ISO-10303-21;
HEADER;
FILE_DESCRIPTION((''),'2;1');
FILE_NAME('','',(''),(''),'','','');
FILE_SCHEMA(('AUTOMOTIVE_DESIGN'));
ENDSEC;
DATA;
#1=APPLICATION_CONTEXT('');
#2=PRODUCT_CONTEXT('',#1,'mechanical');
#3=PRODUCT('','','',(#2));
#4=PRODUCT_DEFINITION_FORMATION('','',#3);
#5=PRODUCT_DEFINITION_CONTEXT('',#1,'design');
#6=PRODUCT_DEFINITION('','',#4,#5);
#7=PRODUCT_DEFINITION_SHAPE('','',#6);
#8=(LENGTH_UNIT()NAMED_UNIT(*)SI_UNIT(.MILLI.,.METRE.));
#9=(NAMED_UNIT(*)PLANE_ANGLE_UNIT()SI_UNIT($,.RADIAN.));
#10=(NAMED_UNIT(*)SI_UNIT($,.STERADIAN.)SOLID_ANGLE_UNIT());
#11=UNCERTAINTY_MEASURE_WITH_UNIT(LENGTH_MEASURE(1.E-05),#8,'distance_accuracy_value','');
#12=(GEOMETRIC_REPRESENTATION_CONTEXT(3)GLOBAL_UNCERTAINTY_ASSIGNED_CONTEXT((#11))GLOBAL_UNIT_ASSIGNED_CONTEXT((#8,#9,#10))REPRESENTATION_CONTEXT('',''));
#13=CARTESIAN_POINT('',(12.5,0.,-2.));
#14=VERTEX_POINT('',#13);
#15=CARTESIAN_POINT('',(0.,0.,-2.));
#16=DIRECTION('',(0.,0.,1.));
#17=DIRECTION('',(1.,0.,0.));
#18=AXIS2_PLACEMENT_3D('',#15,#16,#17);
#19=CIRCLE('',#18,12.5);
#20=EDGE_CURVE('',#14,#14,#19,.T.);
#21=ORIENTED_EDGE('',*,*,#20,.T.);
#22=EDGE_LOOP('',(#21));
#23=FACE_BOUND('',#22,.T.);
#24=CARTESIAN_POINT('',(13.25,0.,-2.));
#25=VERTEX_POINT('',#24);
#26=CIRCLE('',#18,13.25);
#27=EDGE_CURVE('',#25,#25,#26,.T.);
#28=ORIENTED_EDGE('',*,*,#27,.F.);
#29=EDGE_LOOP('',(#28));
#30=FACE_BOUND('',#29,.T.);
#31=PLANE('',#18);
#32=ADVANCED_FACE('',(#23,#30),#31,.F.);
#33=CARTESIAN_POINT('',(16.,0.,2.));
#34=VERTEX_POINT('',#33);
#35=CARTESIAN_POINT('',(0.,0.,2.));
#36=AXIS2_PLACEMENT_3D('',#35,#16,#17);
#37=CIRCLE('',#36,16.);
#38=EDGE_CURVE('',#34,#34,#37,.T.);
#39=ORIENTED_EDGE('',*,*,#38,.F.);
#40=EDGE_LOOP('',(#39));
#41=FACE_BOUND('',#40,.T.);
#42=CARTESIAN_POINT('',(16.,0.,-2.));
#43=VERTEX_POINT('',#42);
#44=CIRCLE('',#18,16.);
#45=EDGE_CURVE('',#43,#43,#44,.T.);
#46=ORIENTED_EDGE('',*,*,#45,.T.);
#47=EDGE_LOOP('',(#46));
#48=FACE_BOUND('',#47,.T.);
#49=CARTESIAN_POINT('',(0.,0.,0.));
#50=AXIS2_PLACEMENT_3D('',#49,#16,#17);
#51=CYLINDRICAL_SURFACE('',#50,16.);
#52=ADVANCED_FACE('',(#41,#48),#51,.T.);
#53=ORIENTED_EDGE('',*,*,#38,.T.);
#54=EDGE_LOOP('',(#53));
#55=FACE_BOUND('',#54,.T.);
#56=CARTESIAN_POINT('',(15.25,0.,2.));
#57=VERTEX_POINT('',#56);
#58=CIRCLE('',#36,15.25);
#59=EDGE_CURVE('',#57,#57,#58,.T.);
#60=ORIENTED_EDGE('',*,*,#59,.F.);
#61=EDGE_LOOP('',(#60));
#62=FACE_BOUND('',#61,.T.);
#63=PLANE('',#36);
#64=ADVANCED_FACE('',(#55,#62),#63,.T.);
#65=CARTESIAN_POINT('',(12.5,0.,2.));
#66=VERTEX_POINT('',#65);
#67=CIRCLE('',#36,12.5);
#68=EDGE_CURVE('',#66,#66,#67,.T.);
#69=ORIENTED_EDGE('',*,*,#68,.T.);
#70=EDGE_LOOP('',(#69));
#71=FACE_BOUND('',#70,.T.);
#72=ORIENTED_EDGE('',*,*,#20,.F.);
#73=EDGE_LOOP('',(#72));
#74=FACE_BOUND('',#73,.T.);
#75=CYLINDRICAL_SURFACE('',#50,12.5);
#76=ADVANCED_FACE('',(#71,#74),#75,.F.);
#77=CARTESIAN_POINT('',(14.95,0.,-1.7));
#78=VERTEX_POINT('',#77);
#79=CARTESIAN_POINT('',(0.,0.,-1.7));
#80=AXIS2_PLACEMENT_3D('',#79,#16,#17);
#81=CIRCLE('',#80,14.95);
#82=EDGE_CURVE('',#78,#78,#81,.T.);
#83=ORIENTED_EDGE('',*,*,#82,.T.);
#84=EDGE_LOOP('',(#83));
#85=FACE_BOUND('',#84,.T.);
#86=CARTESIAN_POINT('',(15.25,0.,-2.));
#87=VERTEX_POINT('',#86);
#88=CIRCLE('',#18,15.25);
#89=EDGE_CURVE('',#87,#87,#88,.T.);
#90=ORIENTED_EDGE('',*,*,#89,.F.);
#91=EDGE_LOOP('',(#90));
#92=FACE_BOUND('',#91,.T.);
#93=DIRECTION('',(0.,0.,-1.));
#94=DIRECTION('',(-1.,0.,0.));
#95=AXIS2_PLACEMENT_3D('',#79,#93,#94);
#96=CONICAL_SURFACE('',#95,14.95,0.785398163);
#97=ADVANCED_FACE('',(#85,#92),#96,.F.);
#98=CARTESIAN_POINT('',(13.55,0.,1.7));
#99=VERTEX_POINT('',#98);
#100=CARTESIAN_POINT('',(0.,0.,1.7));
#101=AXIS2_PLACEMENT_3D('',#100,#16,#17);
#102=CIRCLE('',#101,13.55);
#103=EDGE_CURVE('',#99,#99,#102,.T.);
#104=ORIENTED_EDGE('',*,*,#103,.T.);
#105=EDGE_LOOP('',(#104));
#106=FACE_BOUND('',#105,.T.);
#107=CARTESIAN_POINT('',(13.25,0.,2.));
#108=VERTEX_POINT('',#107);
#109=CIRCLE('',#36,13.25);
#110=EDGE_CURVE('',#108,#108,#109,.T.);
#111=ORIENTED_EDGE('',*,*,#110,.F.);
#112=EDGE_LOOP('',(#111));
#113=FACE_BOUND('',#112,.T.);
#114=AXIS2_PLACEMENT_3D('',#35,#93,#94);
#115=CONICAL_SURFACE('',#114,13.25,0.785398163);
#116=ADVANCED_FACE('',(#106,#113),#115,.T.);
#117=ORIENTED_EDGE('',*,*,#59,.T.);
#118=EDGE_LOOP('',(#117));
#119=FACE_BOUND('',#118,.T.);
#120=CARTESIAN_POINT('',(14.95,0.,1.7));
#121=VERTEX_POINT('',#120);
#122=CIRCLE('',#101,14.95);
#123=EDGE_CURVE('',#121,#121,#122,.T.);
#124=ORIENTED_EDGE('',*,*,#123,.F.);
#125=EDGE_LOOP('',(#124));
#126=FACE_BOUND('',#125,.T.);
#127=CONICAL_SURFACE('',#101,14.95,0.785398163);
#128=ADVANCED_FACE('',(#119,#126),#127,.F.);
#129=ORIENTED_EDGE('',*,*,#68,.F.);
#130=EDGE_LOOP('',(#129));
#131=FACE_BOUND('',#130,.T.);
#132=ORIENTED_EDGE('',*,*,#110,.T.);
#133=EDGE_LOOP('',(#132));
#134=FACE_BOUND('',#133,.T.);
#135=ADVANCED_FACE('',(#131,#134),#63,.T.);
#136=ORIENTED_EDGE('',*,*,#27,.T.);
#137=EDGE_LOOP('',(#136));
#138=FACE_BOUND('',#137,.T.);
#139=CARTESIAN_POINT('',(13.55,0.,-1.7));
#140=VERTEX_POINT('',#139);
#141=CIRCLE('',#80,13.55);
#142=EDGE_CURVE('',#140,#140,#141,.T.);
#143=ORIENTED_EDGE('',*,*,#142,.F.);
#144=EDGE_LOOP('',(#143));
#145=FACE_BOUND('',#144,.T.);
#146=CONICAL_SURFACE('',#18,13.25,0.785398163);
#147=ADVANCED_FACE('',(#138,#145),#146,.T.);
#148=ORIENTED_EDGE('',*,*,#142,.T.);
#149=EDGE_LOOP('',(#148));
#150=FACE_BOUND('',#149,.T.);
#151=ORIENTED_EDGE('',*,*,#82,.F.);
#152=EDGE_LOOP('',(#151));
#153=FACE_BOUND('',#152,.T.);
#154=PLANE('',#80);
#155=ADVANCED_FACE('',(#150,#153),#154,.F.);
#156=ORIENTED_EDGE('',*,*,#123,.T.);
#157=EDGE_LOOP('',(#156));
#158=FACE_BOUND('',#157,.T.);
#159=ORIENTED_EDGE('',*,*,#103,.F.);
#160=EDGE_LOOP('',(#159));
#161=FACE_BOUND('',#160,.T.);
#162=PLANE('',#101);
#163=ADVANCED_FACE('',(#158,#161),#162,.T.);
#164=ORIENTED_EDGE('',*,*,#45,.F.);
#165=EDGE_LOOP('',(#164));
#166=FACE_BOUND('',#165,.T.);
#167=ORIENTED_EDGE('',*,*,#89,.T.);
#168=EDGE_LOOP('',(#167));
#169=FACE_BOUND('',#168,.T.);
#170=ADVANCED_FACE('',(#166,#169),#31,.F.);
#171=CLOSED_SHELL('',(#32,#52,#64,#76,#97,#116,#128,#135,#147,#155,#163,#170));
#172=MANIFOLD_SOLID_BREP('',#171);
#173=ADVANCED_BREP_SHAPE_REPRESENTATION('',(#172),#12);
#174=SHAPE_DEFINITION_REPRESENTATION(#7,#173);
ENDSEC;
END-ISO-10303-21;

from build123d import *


with BuildPart() as part:
    # Sketch1 → Revolve1 (revolve)
    with BuildSketch(Plane(origin=(0, 0, 0), x_dir=(1, 0, 0), z_dir=(0, 1, 0))):
        Polygon((12.5, -2), (12.5, 2), (13.25, 2), (13.55, 1.7), (14.95, 1.7), (15.25, 2), (16, 2), (16, -2), (15.25, -2), (14.95, -1.7), (13.55, -1.7), (13.25, -2), align=None)
    revolve(axis=Axis((0, 0, 0), (0, 0, -1)))


solid = part.part
